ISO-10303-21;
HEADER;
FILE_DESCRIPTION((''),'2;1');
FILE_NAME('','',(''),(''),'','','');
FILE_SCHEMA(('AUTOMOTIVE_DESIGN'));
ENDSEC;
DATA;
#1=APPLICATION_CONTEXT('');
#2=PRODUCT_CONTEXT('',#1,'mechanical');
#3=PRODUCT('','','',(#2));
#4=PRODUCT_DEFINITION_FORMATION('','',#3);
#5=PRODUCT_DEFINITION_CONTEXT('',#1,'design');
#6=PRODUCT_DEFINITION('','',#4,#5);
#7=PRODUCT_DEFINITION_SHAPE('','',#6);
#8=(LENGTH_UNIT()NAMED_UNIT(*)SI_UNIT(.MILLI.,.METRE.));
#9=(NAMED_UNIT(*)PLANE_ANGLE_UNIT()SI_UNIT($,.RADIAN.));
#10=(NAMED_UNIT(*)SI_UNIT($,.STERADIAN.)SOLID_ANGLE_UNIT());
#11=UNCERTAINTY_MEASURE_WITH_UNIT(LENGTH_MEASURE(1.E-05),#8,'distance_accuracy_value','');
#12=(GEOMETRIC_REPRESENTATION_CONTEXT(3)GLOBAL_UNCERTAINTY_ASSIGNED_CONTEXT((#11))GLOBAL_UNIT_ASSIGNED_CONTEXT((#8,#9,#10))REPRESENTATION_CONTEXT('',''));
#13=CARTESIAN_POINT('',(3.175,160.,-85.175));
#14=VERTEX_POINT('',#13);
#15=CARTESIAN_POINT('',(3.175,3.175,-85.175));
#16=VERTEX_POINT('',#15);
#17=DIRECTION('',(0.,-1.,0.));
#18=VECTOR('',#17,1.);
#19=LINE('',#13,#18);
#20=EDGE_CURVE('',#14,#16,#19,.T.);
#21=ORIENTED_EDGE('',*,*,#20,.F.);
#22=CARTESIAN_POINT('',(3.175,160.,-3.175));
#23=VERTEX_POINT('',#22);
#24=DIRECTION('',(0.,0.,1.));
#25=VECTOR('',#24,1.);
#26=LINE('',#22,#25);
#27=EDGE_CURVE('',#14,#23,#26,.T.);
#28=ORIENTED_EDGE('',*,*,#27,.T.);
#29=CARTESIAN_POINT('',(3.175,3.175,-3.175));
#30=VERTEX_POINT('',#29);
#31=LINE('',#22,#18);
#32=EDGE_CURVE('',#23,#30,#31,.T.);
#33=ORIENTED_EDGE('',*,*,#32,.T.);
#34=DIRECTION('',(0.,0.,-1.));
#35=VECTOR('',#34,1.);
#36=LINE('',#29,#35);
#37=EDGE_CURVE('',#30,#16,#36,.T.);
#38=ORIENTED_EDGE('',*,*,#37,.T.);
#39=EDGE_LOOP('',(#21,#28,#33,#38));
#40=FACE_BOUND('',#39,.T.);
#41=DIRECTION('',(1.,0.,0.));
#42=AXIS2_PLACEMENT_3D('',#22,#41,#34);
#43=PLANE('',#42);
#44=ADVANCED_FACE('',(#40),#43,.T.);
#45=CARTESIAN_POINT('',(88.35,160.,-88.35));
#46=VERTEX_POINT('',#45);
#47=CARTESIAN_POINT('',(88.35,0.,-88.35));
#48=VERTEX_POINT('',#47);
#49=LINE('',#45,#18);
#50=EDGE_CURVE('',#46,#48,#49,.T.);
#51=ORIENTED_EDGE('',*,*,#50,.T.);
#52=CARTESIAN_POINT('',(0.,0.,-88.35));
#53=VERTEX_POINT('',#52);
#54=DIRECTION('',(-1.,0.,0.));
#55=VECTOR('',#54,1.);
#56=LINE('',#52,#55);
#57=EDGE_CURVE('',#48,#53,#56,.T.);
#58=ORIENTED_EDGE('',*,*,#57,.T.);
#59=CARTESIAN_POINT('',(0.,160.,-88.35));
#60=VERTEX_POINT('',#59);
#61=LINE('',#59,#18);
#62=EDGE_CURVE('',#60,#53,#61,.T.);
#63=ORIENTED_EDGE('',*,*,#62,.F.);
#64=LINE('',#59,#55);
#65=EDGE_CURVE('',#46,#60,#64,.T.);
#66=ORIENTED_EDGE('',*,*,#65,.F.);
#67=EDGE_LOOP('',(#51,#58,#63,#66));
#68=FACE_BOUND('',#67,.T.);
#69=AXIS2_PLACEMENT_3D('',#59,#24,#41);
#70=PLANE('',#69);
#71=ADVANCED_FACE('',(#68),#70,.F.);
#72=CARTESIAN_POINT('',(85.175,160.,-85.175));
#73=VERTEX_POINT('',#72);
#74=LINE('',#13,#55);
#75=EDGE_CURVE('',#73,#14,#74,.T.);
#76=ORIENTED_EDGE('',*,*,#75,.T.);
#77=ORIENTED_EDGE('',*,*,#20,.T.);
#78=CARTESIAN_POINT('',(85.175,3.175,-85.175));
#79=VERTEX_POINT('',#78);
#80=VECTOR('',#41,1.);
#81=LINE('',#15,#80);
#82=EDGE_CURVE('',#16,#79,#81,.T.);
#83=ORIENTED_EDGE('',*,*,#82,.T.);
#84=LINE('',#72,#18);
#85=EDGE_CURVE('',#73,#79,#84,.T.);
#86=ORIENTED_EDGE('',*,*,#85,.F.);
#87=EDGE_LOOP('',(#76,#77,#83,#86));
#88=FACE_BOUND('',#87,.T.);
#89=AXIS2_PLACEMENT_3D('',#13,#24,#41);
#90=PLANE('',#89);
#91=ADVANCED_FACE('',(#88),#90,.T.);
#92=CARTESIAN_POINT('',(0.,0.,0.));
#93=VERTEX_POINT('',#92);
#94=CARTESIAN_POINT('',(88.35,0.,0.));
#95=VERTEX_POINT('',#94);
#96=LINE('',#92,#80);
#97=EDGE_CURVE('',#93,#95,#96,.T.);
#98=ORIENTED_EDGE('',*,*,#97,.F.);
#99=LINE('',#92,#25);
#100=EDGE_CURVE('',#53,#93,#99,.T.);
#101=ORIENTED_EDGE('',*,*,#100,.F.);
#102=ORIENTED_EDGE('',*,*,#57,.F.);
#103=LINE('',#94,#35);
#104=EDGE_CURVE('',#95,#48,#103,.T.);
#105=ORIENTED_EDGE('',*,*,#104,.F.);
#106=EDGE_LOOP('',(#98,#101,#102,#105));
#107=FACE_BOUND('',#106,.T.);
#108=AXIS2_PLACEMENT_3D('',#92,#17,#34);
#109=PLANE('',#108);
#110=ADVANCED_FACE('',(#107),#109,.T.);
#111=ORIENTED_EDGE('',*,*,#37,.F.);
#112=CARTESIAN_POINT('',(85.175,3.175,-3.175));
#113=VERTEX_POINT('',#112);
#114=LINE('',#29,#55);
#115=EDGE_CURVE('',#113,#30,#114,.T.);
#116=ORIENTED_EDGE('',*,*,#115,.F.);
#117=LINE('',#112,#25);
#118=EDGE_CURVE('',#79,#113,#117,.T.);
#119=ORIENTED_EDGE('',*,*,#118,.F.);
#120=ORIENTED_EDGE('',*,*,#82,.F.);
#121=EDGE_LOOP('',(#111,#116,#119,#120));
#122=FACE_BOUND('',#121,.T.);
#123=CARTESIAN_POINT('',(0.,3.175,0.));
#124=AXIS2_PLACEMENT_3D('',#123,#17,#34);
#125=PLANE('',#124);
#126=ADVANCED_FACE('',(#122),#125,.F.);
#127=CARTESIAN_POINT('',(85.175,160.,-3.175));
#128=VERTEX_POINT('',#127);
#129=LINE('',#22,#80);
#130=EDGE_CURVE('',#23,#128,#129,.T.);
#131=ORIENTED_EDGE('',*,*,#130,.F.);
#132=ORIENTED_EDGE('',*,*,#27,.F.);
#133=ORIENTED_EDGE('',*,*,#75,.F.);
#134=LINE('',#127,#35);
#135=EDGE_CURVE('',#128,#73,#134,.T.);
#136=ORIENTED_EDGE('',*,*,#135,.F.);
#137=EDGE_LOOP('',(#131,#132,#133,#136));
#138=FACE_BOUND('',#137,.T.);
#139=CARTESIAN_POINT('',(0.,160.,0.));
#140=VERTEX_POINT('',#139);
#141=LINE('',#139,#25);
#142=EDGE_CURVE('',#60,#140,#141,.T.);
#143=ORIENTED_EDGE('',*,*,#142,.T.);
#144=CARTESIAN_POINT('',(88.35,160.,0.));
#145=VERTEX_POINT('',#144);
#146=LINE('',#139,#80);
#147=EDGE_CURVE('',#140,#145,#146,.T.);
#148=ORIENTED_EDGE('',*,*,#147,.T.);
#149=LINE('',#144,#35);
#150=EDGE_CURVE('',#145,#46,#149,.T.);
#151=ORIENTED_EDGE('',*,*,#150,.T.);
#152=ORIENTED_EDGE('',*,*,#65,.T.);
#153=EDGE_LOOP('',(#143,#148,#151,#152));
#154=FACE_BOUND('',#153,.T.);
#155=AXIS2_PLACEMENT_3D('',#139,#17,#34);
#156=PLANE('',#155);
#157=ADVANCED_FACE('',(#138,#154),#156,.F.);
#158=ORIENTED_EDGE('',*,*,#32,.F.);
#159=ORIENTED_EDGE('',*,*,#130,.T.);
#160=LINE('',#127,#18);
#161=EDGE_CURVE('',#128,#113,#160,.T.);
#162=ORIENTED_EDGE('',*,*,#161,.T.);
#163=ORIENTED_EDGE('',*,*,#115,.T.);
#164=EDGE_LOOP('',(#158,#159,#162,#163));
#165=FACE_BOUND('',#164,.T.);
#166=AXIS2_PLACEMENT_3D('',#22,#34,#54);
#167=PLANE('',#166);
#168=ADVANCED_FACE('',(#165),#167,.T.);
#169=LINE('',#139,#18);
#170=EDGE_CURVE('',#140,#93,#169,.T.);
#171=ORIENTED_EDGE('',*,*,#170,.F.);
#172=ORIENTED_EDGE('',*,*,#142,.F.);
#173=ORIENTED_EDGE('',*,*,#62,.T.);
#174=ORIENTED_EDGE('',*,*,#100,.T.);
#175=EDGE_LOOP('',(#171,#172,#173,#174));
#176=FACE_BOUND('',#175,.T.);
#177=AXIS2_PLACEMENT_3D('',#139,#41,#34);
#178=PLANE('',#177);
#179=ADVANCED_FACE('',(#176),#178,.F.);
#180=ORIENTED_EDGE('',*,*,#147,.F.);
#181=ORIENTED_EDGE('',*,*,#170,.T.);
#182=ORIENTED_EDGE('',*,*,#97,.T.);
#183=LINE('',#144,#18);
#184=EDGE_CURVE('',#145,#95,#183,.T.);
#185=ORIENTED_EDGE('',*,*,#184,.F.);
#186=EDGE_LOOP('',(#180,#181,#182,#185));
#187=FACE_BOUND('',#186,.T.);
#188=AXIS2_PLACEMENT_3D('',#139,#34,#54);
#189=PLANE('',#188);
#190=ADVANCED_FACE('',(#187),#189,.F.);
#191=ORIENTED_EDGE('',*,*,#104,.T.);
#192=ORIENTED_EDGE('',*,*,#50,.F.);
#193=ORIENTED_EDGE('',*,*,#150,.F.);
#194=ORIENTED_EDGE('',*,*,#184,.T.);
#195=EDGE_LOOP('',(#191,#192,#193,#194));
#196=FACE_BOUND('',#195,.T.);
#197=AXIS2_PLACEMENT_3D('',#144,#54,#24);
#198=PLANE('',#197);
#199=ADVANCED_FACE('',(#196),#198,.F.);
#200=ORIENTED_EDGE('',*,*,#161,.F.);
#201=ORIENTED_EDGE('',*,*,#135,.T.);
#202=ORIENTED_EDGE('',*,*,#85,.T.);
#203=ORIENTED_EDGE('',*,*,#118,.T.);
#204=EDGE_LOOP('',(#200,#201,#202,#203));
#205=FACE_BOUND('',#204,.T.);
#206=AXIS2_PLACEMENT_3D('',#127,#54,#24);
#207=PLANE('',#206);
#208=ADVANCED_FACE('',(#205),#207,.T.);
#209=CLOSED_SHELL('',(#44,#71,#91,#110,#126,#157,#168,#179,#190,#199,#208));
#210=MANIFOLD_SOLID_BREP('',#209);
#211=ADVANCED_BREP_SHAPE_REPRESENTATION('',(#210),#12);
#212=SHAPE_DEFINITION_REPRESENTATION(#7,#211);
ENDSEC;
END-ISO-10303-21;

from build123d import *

# Parameters (mm, degrees)
SKETCH1_W           = 88.35
SKETCH1_H           = 88.35
SKETCH1_W_2         = 82
SKETCH1_H_2         = 82
BOSS_EXTRUDE1_DEPTH = 160
SKETCH2_W           = 88.35
SKETCH2_H           = 88.35
BOSS_EXTRUDE2_DEPTH = 3.175


with BuildPart() as part:
    # Sketch1 → Boss-Extrude1 (new body)
    with BuildSketch(Plane(origin=(0, 0, 0), x_dir=(1, 0, 0), z_dir=(0, 1, 0))):
        with Locations((44.175, 44.175)):
            Rectangle(SKETCH1_W, SKETCH1_H)
        with Locations((44.175, 44.175)):
            Rectangle(SKETCH1_W_2, SKETCH1_H_2, mode=Mode.SUBTRACT)
    extrude(amount=BOSS_EXTRUDE1_DEPTH)

    # Sketch2 → Boss-Extrude2 (add)
    with BuildSketch(Plane.XZ):
        with Locations((44.175, -44.175)):
            Rectangle(SKETCH2_W, SKETCH2_H)
    extrude(amount=-BOSS_EXTRUDE2_DEPTH)


solid = part.part
